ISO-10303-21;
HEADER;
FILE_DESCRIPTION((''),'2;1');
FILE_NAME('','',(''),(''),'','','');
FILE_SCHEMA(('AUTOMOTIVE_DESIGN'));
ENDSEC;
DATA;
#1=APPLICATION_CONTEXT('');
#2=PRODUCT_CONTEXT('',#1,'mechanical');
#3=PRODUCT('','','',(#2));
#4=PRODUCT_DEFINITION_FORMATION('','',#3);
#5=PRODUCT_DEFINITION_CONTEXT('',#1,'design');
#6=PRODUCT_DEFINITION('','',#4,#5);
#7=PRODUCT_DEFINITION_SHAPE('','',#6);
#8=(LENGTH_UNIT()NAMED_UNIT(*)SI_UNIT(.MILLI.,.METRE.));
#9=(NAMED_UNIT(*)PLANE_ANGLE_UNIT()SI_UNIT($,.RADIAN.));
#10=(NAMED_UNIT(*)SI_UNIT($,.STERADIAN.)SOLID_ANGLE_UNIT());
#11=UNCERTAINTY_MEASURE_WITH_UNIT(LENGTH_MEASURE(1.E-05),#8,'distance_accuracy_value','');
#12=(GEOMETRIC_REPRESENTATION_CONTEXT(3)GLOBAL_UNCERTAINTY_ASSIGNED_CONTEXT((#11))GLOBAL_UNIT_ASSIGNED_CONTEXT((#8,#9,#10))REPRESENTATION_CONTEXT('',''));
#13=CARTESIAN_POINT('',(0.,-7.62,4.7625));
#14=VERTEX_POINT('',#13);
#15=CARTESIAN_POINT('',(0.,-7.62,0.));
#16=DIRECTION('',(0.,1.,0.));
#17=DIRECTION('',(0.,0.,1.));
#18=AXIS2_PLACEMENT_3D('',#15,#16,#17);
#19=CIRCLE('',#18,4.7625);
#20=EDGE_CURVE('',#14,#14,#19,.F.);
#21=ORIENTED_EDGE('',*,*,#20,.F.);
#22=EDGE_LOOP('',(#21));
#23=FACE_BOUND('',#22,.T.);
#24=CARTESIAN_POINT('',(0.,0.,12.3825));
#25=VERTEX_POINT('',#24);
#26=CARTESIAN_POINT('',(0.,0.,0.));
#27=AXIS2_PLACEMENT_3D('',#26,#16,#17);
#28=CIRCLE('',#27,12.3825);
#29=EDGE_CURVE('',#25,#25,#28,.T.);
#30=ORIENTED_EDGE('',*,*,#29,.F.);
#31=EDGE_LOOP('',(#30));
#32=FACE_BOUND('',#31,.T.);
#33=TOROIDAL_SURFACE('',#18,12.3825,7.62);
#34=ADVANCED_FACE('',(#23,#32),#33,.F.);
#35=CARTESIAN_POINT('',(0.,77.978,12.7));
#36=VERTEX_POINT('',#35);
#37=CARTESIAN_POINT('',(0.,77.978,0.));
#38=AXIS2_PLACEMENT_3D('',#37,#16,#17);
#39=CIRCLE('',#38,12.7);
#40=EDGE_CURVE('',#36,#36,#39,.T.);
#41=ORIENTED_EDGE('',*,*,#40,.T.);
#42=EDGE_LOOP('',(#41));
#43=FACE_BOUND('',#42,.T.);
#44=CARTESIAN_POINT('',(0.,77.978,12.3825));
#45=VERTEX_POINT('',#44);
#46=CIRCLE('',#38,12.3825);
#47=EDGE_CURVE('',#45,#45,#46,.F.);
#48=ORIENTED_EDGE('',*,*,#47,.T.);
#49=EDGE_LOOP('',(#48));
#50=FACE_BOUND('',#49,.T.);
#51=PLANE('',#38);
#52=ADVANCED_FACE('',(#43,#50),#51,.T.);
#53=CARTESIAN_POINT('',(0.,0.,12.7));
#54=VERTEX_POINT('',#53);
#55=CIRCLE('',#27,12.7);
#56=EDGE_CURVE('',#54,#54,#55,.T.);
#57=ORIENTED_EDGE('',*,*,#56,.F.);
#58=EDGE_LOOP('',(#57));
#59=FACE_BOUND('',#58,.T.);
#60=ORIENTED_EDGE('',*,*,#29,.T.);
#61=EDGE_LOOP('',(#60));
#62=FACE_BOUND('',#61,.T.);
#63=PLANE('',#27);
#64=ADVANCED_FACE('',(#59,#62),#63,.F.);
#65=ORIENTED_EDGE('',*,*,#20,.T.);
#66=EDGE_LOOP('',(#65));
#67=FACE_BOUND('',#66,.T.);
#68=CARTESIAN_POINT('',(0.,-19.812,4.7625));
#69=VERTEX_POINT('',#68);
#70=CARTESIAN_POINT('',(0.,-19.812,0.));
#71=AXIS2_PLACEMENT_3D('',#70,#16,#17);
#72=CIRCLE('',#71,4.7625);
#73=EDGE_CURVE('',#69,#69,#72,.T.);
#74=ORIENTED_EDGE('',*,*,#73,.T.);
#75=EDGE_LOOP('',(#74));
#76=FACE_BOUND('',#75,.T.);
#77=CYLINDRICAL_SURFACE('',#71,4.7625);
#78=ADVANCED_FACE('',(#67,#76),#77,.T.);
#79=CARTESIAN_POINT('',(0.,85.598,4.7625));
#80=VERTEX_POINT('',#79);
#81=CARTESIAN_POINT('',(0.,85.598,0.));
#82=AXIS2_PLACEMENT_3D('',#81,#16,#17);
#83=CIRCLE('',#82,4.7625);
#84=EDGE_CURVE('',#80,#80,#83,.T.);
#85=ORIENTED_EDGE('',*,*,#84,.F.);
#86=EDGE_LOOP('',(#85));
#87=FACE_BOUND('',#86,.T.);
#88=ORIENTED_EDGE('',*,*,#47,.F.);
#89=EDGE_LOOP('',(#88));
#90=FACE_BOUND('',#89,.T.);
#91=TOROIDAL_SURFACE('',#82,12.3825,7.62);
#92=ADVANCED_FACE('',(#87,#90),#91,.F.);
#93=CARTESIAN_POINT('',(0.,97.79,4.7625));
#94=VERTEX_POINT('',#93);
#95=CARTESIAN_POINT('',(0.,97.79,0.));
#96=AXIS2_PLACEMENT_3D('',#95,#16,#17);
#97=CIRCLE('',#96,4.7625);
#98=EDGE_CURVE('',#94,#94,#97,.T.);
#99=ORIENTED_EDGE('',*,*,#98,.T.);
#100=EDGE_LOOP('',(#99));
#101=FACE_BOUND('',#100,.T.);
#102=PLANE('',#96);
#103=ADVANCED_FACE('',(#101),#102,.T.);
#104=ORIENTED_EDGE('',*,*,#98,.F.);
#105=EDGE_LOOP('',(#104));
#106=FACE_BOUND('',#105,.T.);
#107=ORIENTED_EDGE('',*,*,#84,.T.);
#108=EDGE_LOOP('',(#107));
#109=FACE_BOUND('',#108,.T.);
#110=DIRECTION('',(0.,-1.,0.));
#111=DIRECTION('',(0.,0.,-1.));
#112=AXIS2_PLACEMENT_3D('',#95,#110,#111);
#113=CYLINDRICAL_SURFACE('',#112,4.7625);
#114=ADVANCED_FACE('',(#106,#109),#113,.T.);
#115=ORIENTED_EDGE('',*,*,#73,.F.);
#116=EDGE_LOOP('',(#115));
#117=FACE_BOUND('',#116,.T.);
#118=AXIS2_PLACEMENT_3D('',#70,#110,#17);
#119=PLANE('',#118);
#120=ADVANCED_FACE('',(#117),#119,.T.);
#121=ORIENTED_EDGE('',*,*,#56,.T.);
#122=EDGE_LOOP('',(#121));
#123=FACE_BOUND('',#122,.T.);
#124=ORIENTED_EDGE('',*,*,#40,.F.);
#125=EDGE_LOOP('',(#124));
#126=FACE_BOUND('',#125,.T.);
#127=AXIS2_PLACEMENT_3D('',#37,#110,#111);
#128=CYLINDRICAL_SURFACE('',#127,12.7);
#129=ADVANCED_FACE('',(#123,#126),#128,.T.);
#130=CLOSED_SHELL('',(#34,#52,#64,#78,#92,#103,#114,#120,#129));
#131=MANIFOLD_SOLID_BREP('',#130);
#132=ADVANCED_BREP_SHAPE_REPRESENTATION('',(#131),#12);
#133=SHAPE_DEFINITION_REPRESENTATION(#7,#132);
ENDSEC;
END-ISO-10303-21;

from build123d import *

# Parameters (mm, degrees)
SKETCH1_R           = 12.7
BOSS_EXTRUDE1_DEPTH = 77.978
SKETCH2_R           = 4.7625
BOSS_EXTRUDE2_DEPTH = 19.812
FILLET1_R           = 7.62


with BuildPart() as part:
    # Sketch1 → Boss-Extrude1 (new body)
    with BuildSketch(Plane(origin=(0, 0, 0), x_dir=(1, 0, 0), z_dir=(0, 1, 0))):
        with Locations(Location((0, 0, 0), (0, 0, 270))):
            Circle(SKETCH1_R)
    extrude(amount=BOSS_EXTRUDE1_DEPTH)

    # Sketch2 → Boss-Extrude2 (add)
    with BuildSketch(Plane(origin=(0, 77.978, 0), x_dir=(1, 0, 0), z_dir=(0, 1, 0))):
        with Locations(Location((0, 0, 0), (0, 0, 270))):
            Circle(SKETCH2_R)
    boss_extrude2 = extrude(amount=BOSS_EXTRUDE2_DEPTH)

    # Mirror1: Boss-Extrude2 across plane
    add(boss_extrude2.mirror(Plane.ZX.offset(38.989)))

    # Fillet1
    fillet1_edges = [part.edges().sort_by_distance(p)[0] for p in [
        (0, 0, -4.7625),
        (0, 77.978, -4.7625),
    ]]
    fillet(fillet1_edges, radius=FILLET1_R)


solid = part.part
